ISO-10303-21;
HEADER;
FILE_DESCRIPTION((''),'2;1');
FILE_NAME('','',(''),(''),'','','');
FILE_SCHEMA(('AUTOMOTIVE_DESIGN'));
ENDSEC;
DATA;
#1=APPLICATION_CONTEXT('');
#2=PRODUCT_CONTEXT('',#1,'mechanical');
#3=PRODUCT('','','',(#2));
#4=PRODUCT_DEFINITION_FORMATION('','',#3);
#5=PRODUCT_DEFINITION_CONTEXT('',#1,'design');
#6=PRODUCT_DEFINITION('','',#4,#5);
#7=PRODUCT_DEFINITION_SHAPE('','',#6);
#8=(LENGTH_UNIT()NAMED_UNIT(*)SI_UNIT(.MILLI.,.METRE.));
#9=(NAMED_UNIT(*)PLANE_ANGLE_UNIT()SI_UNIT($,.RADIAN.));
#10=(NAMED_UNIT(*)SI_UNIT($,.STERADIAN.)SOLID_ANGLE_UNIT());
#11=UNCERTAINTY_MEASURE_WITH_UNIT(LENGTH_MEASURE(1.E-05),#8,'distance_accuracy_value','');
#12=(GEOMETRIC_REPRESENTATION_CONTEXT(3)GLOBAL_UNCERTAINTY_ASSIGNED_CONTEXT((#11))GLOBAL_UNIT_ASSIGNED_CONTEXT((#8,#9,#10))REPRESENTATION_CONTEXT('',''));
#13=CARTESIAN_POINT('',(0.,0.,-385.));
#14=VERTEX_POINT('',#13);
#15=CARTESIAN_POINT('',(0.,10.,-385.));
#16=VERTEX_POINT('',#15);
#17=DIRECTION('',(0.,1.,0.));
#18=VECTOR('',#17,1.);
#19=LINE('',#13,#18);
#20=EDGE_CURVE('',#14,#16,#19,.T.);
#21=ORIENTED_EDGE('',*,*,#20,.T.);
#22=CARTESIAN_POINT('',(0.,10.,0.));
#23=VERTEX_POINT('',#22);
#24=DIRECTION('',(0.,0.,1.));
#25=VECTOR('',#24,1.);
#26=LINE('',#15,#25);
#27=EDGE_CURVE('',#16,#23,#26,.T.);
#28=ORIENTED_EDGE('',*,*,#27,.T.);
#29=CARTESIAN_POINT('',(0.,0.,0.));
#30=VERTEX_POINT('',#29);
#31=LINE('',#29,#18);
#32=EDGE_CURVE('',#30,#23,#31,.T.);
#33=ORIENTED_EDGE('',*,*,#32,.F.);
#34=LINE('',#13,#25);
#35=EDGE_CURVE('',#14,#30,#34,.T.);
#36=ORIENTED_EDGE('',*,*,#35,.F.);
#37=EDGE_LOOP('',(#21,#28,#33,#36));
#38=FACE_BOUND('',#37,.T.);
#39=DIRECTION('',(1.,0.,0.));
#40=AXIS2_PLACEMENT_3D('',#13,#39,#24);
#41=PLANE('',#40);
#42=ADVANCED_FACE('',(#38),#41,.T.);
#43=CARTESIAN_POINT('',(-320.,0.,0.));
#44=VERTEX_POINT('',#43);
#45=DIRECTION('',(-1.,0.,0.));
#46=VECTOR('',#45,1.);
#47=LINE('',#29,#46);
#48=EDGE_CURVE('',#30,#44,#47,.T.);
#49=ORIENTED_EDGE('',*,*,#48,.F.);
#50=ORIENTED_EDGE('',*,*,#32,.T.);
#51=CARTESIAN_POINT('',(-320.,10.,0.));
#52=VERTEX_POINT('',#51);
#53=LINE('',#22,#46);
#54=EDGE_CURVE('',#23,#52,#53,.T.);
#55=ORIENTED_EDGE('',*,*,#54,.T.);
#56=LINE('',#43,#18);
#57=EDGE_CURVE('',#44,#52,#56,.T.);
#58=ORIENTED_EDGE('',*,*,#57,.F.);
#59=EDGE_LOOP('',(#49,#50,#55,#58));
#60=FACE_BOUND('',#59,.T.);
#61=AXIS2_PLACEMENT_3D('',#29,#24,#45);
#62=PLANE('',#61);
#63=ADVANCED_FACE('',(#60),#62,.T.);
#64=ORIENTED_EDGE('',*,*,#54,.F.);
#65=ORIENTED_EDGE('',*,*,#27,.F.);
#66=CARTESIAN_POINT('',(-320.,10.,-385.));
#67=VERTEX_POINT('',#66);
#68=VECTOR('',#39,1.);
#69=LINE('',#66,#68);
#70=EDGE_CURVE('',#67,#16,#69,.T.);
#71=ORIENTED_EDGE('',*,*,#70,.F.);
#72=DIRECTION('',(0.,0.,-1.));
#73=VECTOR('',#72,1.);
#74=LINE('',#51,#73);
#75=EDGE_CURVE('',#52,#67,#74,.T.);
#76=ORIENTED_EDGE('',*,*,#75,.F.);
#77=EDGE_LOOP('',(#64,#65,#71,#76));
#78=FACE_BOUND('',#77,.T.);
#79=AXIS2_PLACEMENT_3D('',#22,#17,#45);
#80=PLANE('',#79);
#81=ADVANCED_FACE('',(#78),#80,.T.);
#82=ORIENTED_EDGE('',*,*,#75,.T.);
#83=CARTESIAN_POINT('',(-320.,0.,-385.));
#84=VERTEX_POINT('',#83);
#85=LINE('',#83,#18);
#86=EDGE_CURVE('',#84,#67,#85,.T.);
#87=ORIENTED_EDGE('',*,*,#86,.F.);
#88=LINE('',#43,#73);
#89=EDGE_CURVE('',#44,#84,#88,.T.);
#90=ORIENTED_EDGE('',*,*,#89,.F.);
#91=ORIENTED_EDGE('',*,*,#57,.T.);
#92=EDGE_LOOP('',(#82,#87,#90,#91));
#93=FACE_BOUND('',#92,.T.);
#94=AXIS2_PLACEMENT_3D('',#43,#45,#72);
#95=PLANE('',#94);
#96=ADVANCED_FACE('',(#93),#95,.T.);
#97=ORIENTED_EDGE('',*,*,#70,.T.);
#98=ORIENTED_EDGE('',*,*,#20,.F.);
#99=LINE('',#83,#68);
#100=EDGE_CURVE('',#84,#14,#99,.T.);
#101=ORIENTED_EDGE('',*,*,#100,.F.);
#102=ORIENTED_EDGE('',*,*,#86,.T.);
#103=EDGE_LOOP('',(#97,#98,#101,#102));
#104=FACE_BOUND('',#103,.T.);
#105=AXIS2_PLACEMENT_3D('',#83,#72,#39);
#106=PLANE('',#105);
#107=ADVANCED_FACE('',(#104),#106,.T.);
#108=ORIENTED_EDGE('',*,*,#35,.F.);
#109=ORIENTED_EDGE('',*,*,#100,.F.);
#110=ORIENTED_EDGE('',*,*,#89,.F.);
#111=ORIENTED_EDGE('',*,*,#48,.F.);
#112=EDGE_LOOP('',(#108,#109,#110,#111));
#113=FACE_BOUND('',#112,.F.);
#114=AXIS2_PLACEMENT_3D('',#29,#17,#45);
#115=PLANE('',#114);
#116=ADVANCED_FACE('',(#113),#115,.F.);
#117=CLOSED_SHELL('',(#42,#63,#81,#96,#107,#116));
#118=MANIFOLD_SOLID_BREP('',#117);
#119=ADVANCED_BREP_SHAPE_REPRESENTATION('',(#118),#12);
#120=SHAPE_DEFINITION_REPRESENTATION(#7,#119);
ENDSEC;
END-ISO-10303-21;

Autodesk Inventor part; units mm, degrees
ref_plane "YZ Plane" through (0, 0, 0) normal (1, 0, 0) x (0, 1, 0)
ref_plane "XZ Plane" through (0, 0, 0) normal (0, 1, 0) x (-1, 0, 0)
ref_plane "XY Plane" through (0, 0, 0) normal (0, 0, 1) x (1, 0, 0)
sketch "Sketch1" plane through (0, 0, 0) normal (0, 1, 0) x (-1, 0, 0)
  line L0 (0, 0) -> (320, 0)
  line L1 (320, 0) -> (320, -385)
  line L2 (320, -385) -> (0, -385)
  line L3 (0, -385) -> (0, 0)
  dimension "d0" = 320
  dimension "d1" = 385
extrude "Extrusion1" add sketch "Sketch1" along normal blind 10
properties part number "bottom_wall"
